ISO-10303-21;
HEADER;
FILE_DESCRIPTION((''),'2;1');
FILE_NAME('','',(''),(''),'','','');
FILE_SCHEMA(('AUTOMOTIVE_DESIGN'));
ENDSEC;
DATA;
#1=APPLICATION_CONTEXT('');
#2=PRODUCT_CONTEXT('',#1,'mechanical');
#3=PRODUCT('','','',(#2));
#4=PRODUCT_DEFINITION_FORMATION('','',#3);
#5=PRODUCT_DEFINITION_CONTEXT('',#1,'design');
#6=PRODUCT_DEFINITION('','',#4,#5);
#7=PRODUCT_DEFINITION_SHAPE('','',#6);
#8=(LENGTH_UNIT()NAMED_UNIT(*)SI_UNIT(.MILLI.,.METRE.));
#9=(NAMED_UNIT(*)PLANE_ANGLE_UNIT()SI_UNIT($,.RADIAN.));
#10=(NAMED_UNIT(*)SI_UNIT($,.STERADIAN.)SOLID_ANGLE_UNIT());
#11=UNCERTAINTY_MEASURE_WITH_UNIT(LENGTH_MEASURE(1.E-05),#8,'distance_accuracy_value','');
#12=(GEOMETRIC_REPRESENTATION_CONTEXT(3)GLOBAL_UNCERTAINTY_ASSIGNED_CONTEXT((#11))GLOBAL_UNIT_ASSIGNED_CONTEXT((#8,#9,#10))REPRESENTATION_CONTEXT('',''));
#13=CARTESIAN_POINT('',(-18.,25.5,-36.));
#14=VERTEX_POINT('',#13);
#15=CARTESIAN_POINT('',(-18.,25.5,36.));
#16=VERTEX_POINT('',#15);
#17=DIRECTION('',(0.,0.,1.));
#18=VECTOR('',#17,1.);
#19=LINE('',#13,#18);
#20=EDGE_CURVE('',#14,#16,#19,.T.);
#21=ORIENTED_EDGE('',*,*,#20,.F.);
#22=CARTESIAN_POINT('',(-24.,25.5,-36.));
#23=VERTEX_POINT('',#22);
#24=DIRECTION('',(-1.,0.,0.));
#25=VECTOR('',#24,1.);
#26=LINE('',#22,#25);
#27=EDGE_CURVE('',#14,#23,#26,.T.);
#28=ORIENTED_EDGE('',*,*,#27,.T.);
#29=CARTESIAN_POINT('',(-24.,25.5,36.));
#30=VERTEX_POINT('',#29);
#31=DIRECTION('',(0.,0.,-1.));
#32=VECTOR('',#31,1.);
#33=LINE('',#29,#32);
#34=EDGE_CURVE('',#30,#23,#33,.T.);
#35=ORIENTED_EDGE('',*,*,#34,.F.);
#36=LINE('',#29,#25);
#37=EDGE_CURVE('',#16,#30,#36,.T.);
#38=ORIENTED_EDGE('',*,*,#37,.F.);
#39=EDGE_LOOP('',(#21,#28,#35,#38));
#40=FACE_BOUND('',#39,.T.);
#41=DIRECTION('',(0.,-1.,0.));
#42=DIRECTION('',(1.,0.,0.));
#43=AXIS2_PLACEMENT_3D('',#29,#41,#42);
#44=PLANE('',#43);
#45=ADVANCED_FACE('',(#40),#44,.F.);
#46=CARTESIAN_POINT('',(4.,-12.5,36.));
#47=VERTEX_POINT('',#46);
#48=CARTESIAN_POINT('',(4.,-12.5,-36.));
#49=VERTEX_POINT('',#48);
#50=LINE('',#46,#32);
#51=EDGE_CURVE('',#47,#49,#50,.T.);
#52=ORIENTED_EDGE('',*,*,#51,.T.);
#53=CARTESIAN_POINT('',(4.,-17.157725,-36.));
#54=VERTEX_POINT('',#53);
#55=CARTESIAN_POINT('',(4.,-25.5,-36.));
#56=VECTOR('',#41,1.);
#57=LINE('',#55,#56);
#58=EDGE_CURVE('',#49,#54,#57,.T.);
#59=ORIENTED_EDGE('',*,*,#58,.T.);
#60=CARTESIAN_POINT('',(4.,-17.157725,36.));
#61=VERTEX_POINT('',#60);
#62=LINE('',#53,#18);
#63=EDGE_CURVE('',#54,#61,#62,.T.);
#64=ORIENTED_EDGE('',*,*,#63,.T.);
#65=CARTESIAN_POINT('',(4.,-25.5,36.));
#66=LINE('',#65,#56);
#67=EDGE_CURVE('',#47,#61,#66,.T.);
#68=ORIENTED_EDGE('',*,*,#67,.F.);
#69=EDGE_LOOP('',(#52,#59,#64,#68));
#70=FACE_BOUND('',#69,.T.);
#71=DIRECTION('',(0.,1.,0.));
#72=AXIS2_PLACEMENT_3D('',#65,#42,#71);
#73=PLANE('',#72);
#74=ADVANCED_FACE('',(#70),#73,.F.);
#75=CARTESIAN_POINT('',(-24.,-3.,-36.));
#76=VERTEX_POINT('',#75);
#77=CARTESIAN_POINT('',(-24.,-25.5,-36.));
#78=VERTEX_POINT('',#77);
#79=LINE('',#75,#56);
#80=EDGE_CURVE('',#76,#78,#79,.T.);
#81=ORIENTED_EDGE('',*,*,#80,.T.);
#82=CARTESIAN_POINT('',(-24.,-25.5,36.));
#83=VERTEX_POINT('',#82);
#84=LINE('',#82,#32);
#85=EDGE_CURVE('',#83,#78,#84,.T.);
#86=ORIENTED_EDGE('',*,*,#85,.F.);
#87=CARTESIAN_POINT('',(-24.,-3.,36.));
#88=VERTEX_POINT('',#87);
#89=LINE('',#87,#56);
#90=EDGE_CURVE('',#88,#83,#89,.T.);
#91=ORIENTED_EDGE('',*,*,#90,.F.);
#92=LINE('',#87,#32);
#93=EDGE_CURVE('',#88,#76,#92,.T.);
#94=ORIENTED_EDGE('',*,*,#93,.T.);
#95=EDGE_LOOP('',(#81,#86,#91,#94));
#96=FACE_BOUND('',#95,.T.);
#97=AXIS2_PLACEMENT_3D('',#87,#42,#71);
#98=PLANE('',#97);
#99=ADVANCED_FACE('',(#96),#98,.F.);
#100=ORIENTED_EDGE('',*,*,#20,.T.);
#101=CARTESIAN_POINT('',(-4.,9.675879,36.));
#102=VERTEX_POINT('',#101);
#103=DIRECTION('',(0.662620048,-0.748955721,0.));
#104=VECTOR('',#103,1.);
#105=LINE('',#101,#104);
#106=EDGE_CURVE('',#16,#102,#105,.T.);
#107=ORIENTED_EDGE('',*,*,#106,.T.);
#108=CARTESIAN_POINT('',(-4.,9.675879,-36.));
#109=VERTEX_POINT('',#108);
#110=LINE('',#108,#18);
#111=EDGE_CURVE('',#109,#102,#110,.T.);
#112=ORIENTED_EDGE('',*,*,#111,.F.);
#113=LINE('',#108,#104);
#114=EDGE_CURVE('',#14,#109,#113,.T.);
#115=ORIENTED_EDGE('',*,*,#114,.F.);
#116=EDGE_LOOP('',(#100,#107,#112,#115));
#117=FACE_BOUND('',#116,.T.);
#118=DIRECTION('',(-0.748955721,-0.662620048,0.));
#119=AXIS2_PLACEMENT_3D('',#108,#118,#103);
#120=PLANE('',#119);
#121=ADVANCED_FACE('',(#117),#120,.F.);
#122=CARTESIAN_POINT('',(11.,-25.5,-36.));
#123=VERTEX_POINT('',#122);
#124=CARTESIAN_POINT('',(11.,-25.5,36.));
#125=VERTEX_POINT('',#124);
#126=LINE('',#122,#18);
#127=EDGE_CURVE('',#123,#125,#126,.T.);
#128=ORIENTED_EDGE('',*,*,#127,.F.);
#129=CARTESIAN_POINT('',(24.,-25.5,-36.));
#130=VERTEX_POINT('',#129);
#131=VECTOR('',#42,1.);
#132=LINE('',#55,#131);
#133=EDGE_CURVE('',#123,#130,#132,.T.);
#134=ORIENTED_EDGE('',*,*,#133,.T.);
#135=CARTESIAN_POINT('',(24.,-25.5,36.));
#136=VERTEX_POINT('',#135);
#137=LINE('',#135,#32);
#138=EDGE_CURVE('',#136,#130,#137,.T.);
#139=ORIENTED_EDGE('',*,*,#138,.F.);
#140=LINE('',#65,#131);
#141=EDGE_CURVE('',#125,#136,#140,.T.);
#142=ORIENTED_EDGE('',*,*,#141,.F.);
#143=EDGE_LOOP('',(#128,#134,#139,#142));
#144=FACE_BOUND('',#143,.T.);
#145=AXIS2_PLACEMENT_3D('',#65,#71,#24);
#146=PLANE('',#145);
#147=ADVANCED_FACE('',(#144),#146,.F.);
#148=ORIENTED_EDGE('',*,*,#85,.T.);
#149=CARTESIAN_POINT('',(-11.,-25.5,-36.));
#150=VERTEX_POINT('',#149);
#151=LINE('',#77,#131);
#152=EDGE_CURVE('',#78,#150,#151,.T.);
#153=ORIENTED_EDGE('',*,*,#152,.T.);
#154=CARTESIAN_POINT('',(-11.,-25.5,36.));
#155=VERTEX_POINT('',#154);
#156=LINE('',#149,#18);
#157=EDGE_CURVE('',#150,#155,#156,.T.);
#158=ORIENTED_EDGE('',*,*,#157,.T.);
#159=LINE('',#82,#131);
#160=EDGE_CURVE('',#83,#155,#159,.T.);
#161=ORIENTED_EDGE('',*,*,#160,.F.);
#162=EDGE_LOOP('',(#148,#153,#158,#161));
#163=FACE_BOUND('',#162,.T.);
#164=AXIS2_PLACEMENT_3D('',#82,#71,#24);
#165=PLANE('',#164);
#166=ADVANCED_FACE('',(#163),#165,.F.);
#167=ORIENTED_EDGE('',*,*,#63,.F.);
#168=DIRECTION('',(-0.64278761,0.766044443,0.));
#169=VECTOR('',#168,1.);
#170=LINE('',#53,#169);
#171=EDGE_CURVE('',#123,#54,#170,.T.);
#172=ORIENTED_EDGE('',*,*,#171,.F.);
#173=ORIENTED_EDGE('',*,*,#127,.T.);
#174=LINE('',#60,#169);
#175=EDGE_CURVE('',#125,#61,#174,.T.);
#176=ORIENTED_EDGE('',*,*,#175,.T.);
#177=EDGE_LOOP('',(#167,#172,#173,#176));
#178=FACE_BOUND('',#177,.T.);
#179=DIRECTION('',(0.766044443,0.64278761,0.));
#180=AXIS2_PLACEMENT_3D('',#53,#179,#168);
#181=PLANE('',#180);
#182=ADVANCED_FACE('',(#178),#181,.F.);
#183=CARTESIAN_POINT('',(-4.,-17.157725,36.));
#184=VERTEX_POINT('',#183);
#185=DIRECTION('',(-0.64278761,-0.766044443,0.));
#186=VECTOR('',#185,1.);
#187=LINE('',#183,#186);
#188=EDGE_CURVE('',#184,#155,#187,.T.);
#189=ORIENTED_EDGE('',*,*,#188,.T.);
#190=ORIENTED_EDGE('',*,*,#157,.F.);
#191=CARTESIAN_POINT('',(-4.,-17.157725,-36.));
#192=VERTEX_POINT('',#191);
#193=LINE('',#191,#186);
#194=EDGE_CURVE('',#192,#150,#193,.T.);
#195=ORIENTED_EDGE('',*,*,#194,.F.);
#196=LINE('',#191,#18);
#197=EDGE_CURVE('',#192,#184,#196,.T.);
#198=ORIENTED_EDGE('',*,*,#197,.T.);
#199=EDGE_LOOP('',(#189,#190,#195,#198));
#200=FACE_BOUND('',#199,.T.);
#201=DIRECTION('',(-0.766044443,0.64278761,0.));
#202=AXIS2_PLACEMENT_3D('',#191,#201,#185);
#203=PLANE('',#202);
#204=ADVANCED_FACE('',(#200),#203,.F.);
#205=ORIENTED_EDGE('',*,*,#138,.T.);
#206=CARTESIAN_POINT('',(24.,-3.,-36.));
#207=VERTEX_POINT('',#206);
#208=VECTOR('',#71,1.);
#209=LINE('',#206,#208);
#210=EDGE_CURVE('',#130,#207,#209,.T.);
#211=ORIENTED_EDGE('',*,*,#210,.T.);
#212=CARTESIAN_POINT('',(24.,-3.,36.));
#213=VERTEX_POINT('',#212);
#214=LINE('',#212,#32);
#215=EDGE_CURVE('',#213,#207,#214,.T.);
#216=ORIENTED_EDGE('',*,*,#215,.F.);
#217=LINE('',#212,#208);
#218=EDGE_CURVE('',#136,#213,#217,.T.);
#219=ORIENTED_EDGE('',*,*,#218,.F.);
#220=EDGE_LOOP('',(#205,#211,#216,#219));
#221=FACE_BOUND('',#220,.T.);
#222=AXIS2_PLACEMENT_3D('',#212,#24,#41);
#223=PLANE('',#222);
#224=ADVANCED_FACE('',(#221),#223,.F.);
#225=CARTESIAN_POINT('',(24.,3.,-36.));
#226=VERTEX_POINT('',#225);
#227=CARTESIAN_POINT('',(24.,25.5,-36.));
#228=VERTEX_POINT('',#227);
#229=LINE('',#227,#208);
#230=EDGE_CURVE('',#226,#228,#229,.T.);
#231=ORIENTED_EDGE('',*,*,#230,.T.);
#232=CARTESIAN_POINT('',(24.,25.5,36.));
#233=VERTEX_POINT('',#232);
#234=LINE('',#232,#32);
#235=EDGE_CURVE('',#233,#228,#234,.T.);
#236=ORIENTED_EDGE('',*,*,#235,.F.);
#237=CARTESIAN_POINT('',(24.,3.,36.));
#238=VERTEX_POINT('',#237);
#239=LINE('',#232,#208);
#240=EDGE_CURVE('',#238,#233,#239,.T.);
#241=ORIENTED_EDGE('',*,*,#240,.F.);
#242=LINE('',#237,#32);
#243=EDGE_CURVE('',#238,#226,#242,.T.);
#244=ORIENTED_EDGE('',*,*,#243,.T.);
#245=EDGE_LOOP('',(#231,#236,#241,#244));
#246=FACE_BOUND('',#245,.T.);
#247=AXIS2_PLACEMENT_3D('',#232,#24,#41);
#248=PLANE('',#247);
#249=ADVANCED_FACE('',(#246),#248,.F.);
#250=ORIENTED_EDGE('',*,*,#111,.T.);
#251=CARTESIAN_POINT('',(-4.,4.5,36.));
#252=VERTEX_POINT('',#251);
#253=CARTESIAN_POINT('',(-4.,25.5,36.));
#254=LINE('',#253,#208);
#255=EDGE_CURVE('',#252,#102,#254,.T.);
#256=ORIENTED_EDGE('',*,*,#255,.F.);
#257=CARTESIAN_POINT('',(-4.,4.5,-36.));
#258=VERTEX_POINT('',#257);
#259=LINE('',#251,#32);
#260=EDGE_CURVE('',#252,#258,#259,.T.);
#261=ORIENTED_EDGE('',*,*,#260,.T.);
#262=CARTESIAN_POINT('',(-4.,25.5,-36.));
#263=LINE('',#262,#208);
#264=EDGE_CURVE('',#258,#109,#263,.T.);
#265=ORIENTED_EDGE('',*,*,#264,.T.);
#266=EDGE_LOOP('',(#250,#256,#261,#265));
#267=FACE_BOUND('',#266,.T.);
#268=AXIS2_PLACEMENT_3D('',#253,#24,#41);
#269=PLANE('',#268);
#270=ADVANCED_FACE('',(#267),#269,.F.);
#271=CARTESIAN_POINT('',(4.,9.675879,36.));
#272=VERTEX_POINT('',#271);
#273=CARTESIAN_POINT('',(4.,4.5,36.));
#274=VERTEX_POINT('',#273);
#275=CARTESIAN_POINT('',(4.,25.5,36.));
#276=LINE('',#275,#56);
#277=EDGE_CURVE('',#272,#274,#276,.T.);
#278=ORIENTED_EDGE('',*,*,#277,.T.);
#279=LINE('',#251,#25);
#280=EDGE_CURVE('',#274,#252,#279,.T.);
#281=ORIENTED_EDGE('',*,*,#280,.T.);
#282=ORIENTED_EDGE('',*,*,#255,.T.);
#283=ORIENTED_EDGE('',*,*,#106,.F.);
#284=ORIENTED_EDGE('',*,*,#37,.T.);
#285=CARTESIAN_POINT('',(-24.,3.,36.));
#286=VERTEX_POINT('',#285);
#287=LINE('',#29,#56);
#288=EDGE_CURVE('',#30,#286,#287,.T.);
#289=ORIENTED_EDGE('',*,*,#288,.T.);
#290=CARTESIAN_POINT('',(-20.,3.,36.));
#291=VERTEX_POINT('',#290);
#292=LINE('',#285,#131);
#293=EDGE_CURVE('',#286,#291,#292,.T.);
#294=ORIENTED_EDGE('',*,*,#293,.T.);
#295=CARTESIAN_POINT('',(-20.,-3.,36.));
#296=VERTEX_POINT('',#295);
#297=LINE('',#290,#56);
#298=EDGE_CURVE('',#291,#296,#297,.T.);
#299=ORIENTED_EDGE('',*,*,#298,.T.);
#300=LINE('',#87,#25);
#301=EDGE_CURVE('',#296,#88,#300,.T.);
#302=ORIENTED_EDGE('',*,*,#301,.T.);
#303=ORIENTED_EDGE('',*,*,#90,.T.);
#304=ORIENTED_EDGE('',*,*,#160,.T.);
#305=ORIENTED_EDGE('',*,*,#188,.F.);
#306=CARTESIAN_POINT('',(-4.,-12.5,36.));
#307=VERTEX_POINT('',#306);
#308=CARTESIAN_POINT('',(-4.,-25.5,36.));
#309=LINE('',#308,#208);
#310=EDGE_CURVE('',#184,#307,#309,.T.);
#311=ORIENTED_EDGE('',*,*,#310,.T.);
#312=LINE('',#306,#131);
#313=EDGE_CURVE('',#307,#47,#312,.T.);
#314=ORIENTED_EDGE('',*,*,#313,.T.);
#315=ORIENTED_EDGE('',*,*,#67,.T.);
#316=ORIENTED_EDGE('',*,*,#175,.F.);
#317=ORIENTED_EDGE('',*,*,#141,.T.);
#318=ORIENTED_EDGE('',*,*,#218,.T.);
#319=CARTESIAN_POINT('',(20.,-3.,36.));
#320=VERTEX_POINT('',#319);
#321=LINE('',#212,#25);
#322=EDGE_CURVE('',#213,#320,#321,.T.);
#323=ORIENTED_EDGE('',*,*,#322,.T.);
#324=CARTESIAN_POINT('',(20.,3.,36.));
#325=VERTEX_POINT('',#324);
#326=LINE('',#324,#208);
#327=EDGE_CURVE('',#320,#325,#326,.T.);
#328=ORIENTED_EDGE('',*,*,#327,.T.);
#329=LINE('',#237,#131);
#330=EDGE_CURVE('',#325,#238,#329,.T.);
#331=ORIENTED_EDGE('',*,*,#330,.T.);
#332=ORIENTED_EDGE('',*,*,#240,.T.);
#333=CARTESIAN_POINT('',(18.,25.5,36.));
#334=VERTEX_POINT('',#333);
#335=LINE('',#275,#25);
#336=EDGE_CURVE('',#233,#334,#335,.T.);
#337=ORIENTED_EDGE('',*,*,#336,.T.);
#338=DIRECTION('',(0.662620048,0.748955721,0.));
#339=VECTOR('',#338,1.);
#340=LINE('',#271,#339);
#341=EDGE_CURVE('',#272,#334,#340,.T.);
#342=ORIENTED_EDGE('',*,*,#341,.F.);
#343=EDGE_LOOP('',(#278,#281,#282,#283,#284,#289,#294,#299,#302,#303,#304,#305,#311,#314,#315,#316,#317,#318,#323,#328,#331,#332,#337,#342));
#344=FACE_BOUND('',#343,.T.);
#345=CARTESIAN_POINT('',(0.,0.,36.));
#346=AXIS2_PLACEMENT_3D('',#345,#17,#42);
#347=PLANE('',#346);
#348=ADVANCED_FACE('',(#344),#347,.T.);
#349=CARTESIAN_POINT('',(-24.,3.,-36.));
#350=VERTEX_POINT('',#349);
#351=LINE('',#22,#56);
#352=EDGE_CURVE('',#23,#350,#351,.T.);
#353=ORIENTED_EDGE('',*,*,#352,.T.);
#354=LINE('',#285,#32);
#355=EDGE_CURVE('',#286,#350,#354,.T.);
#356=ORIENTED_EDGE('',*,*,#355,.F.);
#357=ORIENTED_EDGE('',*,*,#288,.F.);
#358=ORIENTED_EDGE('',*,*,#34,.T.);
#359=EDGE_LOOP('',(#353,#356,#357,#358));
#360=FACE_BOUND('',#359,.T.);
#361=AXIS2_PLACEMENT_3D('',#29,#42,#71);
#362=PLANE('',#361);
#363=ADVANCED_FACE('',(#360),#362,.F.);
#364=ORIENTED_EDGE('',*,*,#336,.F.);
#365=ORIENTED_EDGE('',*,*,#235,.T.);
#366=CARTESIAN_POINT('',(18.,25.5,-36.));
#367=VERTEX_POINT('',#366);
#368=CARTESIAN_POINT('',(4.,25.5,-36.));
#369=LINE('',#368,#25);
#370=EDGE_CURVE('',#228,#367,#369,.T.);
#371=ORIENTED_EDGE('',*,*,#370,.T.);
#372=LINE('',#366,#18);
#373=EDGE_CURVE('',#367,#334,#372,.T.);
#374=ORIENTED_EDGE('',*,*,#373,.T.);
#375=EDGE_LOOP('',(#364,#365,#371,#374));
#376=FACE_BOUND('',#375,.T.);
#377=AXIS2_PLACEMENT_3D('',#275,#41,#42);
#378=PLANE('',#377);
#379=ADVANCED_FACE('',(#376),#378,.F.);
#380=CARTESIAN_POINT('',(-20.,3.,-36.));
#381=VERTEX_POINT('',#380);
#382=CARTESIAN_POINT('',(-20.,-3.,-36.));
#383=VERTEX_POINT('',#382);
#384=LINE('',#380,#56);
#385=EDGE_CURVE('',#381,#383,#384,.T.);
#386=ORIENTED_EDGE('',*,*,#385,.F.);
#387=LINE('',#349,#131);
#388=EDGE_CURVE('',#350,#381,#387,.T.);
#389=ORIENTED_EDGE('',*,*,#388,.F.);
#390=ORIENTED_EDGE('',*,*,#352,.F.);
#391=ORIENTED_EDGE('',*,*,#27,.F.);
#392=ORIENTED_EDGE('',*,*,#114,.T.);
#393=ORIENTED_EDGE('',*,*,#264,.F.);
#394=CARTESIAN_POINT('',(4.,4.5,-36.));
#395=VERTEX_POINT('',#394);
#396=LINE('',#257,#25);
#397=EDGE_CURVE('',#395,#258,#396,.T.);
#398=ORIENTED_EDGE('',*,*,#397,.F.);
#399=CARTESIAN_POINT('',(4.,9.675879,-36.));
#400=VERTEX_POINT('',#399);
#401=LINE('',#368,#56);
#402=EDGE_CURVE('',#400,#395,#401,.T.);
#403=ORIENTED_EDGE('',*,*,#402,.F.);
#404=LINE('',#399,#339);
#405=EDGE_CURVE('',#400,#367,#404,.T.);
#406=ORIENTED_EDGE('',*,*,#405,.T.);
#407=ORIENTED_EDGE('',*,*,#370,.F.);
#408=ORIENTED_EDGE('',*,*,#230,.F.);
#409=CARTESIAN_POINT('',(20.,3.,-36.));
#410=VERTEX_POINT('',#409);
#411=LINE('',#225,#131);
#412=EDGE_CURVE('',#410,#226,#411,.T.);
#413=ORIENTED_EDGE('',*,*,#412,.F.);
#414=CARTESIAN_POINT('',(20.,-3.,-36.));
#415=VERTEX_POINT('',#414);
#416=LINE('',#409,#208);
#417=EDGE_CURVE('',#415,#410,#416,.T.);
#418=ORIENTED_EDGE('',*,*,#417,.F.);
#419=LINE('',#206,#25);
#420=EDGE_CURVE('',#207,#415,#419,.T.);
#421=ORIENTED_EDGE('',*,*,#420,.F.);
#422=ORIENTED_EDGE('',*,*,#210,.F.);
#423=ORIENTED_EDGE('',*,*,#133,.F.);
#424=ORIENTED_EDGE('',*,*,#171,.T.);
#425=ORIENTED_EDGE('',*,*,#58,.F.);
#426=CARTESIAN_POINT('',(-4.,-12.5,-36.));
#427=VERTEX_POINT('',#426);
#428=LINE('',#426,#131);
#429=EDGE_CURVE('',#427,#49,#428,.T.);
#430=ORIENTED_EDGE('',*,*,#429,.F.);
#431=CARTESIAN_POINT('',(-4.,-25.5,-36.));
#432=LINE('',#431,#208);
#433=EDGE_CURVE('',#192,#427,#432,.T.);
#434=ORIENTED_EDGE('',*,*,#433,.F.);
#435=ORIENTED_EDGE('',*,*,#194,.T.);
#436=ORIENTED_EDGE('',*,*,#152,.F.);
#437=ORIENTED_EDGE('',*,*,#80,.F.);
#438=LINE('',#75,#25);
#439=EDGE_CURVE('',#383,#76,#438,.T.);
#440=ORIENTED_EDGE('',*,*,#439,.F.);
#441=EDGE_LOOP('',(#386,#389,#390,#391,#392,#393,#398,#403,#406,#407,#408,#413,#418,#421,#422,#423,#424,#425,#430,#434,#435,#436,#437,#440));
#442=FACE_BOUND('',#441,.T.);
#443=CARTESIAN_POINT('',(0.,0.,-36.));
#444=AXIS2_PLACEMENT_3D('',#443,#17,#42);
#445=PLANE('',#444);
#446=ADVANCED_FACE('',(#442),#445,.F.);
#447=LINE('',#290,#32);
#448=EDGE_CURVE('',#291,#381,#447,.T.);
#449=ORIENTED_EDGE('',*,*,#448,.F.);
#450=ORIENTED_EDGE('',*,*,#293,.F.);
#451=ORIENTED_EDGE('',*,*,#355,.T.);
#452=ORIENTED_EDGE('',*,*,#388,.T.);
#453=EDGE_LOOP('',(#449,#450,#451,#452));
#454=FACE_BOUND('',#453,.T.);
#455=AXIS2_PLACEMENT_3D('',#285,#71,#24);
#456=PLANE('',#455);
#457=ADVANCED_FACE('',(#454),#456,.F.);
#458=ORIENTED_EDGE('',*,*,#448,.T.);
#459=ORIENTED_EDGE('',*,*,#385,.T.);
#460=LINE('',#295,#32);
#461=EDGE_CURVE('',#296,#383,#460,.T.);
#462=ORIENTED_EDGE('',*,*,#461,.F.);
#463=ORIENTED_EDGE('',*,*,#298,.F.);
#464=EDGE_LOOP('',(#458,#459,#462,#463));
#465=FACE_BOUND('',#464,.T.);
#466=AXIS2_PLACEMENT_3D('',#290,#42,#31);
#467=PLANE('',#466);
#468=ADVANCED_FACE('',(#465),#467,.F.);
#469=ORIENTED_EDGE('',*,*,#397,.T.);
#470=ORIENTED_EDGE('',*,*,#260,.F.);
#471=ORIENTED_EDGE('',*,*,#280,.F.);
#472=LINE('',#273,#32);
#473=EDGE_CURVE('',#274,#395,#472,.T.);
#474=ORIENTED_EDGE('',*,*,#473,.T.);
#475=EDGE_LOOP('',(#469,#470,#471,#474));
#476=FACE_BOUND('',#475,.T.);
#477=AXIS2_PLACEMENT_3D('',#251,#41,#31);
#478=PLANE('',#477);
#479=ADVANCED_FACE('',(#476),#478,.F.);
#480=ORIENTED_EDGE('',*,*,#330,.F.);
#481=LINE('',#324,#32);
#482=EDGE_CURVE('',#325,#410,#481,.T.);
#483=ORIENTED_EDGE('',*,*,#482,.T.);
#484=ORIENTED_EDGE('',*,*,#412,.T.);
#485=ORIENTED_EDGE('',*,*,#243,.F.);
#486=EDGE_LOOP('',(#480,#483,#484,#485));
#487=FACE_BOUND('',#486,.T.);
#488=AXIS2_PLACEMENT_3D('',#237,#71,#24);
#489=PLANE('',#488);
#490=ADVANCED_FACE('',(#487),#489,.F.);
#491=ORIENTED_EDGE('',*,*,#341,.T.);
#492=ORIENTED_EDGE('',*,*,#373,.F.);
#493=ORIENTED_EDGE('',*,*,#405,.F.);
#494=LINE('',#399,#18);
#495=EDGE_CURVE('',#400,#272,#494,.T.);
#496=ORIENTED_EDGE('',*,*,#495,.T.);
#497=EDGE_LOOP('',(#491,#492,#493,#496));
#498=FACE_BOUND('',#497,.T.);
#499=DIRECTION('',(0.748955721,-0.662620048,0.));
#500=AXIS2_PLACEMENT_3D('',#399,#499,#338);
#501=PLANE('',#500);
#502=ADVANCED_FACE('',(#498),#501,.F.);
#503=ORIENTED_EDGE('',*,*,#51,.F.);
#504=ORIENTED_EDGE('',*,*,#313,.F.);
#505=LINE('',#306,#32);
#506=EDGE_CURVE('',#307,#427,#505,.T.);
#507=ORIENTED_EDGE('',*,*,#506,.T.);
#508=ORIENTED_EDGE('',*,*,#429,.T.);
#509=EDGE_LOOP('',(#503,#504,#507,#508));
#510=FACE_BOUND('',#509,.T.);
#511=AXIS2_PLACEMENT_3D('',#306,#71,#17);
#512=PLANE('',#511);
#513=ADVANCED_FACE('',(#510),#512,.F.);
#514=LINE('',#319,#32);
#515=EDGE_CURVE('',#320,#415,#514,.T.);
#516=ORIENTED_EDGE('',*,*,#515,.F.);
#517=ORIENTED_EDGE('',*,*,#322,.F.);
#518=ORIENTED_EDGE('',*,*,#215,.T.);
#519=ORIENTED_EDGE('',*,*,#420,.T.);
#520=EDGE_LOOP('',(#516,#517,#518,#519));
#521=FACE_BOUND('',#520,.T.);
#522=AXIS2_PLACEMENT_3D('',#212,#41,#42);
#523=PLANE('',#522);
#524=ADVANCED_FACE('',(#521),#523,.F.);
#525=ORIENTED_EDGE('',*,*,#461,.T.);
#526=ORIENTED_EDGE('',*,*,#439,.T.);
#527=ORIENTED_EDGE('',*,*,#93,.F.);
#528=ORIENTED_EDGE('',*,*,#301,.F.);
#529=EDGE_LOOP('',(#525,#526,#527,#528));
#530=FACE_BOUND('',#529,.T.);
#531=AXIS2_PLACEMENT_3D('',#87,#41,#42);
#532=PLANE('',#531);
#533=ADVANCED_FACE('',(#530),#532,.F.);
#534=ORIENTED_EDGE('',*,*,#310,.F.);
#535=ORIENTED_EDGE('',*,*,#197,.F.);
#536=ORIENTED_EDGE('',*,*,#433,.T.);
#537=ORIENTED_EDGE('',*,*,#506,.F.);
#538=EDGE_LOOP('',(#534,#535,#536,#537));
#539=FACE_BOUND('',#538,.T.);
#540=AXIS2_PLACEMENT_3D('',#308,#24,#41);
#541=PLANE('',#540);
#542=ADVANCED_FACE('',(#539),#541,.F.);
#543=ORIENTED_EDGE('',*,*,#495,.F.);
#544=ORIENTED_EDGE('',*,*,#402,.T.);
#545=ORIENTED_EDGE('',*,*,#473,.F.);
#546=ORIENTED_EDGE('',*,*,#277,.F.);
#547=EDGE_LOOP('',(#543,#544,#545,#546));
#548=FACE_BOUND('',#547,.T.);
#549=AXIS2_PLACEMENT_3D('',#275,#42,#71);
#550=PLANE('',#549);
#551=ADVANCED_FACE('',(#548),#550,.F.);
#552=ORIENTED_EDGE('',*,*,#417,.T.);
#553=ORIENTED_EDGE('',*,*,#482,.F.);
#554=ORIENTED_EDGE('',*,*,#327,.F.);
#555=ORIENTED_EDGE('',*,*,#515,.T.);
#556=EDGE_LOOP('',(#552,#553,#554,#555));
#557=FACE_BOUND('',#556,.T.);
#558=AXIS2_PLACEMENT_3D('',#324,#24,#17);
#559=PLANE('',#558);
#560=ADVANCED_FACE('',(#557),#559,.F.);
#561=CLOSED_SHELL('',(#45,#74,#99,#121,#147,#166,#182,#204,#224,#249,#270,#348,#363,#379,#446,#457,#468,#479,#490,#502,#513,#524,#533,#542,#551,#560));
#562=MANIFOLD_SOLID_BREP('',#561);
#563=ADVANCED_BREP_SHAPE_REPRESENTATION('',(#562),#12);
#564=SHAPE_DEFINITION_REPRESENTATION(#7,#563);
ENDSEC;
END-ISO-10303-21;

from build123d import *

# Parameters (mm, degrees)
BOSS_EXTRUDE1_DEPTH = 36
CUT_EXTRUDE1_DEPTH  = 81.06403687


with BuildPart() as part:
    # Sketch1 → Boss-Extrude1 (new, symmetric)
    with BuildSketch(Plane.XY):
        Polygon((-24, 25.5), (-4, 25.5), (-4, 4.5), (4, 4.5), (4, 25.5), (24, 25.5), (24, 3), (20, 3), (20, -3), (24, -3), (24, -25.5), (4, -25.5), (4, -12.5), (-4, -12.5), (-4, -25.5), (-24, -25.5), (-24, -3), (-20, -3), (-20, 3), (-24, 3), align=None)
    extrude(amount=BOSS_EXTRUDE1_DEPTH, both=True)

    # Sketch3 → Cut-Extrude1 (cut, through all)
    with BuildSketch(Plane.XY.offset(36)):
        Polygon((-4, 9.675878591), (-18, 25.5), (-4, 25.5), align=None)
        Polygon((4, 9.675878591), (18, 25.5), (4, 25.5), align=None)
        Polygon((4, -17.157724852), (11, -25.5), (4, -25.5), align=None)
        Polygon((-4, -17.157724852), (-11, -25.5), (-4, -25.5), align=None)
    extrude(amount=-CUT_EXTRUDE1_DEPTH, mode=Mode.SUBTRACT)


solid = part.part
